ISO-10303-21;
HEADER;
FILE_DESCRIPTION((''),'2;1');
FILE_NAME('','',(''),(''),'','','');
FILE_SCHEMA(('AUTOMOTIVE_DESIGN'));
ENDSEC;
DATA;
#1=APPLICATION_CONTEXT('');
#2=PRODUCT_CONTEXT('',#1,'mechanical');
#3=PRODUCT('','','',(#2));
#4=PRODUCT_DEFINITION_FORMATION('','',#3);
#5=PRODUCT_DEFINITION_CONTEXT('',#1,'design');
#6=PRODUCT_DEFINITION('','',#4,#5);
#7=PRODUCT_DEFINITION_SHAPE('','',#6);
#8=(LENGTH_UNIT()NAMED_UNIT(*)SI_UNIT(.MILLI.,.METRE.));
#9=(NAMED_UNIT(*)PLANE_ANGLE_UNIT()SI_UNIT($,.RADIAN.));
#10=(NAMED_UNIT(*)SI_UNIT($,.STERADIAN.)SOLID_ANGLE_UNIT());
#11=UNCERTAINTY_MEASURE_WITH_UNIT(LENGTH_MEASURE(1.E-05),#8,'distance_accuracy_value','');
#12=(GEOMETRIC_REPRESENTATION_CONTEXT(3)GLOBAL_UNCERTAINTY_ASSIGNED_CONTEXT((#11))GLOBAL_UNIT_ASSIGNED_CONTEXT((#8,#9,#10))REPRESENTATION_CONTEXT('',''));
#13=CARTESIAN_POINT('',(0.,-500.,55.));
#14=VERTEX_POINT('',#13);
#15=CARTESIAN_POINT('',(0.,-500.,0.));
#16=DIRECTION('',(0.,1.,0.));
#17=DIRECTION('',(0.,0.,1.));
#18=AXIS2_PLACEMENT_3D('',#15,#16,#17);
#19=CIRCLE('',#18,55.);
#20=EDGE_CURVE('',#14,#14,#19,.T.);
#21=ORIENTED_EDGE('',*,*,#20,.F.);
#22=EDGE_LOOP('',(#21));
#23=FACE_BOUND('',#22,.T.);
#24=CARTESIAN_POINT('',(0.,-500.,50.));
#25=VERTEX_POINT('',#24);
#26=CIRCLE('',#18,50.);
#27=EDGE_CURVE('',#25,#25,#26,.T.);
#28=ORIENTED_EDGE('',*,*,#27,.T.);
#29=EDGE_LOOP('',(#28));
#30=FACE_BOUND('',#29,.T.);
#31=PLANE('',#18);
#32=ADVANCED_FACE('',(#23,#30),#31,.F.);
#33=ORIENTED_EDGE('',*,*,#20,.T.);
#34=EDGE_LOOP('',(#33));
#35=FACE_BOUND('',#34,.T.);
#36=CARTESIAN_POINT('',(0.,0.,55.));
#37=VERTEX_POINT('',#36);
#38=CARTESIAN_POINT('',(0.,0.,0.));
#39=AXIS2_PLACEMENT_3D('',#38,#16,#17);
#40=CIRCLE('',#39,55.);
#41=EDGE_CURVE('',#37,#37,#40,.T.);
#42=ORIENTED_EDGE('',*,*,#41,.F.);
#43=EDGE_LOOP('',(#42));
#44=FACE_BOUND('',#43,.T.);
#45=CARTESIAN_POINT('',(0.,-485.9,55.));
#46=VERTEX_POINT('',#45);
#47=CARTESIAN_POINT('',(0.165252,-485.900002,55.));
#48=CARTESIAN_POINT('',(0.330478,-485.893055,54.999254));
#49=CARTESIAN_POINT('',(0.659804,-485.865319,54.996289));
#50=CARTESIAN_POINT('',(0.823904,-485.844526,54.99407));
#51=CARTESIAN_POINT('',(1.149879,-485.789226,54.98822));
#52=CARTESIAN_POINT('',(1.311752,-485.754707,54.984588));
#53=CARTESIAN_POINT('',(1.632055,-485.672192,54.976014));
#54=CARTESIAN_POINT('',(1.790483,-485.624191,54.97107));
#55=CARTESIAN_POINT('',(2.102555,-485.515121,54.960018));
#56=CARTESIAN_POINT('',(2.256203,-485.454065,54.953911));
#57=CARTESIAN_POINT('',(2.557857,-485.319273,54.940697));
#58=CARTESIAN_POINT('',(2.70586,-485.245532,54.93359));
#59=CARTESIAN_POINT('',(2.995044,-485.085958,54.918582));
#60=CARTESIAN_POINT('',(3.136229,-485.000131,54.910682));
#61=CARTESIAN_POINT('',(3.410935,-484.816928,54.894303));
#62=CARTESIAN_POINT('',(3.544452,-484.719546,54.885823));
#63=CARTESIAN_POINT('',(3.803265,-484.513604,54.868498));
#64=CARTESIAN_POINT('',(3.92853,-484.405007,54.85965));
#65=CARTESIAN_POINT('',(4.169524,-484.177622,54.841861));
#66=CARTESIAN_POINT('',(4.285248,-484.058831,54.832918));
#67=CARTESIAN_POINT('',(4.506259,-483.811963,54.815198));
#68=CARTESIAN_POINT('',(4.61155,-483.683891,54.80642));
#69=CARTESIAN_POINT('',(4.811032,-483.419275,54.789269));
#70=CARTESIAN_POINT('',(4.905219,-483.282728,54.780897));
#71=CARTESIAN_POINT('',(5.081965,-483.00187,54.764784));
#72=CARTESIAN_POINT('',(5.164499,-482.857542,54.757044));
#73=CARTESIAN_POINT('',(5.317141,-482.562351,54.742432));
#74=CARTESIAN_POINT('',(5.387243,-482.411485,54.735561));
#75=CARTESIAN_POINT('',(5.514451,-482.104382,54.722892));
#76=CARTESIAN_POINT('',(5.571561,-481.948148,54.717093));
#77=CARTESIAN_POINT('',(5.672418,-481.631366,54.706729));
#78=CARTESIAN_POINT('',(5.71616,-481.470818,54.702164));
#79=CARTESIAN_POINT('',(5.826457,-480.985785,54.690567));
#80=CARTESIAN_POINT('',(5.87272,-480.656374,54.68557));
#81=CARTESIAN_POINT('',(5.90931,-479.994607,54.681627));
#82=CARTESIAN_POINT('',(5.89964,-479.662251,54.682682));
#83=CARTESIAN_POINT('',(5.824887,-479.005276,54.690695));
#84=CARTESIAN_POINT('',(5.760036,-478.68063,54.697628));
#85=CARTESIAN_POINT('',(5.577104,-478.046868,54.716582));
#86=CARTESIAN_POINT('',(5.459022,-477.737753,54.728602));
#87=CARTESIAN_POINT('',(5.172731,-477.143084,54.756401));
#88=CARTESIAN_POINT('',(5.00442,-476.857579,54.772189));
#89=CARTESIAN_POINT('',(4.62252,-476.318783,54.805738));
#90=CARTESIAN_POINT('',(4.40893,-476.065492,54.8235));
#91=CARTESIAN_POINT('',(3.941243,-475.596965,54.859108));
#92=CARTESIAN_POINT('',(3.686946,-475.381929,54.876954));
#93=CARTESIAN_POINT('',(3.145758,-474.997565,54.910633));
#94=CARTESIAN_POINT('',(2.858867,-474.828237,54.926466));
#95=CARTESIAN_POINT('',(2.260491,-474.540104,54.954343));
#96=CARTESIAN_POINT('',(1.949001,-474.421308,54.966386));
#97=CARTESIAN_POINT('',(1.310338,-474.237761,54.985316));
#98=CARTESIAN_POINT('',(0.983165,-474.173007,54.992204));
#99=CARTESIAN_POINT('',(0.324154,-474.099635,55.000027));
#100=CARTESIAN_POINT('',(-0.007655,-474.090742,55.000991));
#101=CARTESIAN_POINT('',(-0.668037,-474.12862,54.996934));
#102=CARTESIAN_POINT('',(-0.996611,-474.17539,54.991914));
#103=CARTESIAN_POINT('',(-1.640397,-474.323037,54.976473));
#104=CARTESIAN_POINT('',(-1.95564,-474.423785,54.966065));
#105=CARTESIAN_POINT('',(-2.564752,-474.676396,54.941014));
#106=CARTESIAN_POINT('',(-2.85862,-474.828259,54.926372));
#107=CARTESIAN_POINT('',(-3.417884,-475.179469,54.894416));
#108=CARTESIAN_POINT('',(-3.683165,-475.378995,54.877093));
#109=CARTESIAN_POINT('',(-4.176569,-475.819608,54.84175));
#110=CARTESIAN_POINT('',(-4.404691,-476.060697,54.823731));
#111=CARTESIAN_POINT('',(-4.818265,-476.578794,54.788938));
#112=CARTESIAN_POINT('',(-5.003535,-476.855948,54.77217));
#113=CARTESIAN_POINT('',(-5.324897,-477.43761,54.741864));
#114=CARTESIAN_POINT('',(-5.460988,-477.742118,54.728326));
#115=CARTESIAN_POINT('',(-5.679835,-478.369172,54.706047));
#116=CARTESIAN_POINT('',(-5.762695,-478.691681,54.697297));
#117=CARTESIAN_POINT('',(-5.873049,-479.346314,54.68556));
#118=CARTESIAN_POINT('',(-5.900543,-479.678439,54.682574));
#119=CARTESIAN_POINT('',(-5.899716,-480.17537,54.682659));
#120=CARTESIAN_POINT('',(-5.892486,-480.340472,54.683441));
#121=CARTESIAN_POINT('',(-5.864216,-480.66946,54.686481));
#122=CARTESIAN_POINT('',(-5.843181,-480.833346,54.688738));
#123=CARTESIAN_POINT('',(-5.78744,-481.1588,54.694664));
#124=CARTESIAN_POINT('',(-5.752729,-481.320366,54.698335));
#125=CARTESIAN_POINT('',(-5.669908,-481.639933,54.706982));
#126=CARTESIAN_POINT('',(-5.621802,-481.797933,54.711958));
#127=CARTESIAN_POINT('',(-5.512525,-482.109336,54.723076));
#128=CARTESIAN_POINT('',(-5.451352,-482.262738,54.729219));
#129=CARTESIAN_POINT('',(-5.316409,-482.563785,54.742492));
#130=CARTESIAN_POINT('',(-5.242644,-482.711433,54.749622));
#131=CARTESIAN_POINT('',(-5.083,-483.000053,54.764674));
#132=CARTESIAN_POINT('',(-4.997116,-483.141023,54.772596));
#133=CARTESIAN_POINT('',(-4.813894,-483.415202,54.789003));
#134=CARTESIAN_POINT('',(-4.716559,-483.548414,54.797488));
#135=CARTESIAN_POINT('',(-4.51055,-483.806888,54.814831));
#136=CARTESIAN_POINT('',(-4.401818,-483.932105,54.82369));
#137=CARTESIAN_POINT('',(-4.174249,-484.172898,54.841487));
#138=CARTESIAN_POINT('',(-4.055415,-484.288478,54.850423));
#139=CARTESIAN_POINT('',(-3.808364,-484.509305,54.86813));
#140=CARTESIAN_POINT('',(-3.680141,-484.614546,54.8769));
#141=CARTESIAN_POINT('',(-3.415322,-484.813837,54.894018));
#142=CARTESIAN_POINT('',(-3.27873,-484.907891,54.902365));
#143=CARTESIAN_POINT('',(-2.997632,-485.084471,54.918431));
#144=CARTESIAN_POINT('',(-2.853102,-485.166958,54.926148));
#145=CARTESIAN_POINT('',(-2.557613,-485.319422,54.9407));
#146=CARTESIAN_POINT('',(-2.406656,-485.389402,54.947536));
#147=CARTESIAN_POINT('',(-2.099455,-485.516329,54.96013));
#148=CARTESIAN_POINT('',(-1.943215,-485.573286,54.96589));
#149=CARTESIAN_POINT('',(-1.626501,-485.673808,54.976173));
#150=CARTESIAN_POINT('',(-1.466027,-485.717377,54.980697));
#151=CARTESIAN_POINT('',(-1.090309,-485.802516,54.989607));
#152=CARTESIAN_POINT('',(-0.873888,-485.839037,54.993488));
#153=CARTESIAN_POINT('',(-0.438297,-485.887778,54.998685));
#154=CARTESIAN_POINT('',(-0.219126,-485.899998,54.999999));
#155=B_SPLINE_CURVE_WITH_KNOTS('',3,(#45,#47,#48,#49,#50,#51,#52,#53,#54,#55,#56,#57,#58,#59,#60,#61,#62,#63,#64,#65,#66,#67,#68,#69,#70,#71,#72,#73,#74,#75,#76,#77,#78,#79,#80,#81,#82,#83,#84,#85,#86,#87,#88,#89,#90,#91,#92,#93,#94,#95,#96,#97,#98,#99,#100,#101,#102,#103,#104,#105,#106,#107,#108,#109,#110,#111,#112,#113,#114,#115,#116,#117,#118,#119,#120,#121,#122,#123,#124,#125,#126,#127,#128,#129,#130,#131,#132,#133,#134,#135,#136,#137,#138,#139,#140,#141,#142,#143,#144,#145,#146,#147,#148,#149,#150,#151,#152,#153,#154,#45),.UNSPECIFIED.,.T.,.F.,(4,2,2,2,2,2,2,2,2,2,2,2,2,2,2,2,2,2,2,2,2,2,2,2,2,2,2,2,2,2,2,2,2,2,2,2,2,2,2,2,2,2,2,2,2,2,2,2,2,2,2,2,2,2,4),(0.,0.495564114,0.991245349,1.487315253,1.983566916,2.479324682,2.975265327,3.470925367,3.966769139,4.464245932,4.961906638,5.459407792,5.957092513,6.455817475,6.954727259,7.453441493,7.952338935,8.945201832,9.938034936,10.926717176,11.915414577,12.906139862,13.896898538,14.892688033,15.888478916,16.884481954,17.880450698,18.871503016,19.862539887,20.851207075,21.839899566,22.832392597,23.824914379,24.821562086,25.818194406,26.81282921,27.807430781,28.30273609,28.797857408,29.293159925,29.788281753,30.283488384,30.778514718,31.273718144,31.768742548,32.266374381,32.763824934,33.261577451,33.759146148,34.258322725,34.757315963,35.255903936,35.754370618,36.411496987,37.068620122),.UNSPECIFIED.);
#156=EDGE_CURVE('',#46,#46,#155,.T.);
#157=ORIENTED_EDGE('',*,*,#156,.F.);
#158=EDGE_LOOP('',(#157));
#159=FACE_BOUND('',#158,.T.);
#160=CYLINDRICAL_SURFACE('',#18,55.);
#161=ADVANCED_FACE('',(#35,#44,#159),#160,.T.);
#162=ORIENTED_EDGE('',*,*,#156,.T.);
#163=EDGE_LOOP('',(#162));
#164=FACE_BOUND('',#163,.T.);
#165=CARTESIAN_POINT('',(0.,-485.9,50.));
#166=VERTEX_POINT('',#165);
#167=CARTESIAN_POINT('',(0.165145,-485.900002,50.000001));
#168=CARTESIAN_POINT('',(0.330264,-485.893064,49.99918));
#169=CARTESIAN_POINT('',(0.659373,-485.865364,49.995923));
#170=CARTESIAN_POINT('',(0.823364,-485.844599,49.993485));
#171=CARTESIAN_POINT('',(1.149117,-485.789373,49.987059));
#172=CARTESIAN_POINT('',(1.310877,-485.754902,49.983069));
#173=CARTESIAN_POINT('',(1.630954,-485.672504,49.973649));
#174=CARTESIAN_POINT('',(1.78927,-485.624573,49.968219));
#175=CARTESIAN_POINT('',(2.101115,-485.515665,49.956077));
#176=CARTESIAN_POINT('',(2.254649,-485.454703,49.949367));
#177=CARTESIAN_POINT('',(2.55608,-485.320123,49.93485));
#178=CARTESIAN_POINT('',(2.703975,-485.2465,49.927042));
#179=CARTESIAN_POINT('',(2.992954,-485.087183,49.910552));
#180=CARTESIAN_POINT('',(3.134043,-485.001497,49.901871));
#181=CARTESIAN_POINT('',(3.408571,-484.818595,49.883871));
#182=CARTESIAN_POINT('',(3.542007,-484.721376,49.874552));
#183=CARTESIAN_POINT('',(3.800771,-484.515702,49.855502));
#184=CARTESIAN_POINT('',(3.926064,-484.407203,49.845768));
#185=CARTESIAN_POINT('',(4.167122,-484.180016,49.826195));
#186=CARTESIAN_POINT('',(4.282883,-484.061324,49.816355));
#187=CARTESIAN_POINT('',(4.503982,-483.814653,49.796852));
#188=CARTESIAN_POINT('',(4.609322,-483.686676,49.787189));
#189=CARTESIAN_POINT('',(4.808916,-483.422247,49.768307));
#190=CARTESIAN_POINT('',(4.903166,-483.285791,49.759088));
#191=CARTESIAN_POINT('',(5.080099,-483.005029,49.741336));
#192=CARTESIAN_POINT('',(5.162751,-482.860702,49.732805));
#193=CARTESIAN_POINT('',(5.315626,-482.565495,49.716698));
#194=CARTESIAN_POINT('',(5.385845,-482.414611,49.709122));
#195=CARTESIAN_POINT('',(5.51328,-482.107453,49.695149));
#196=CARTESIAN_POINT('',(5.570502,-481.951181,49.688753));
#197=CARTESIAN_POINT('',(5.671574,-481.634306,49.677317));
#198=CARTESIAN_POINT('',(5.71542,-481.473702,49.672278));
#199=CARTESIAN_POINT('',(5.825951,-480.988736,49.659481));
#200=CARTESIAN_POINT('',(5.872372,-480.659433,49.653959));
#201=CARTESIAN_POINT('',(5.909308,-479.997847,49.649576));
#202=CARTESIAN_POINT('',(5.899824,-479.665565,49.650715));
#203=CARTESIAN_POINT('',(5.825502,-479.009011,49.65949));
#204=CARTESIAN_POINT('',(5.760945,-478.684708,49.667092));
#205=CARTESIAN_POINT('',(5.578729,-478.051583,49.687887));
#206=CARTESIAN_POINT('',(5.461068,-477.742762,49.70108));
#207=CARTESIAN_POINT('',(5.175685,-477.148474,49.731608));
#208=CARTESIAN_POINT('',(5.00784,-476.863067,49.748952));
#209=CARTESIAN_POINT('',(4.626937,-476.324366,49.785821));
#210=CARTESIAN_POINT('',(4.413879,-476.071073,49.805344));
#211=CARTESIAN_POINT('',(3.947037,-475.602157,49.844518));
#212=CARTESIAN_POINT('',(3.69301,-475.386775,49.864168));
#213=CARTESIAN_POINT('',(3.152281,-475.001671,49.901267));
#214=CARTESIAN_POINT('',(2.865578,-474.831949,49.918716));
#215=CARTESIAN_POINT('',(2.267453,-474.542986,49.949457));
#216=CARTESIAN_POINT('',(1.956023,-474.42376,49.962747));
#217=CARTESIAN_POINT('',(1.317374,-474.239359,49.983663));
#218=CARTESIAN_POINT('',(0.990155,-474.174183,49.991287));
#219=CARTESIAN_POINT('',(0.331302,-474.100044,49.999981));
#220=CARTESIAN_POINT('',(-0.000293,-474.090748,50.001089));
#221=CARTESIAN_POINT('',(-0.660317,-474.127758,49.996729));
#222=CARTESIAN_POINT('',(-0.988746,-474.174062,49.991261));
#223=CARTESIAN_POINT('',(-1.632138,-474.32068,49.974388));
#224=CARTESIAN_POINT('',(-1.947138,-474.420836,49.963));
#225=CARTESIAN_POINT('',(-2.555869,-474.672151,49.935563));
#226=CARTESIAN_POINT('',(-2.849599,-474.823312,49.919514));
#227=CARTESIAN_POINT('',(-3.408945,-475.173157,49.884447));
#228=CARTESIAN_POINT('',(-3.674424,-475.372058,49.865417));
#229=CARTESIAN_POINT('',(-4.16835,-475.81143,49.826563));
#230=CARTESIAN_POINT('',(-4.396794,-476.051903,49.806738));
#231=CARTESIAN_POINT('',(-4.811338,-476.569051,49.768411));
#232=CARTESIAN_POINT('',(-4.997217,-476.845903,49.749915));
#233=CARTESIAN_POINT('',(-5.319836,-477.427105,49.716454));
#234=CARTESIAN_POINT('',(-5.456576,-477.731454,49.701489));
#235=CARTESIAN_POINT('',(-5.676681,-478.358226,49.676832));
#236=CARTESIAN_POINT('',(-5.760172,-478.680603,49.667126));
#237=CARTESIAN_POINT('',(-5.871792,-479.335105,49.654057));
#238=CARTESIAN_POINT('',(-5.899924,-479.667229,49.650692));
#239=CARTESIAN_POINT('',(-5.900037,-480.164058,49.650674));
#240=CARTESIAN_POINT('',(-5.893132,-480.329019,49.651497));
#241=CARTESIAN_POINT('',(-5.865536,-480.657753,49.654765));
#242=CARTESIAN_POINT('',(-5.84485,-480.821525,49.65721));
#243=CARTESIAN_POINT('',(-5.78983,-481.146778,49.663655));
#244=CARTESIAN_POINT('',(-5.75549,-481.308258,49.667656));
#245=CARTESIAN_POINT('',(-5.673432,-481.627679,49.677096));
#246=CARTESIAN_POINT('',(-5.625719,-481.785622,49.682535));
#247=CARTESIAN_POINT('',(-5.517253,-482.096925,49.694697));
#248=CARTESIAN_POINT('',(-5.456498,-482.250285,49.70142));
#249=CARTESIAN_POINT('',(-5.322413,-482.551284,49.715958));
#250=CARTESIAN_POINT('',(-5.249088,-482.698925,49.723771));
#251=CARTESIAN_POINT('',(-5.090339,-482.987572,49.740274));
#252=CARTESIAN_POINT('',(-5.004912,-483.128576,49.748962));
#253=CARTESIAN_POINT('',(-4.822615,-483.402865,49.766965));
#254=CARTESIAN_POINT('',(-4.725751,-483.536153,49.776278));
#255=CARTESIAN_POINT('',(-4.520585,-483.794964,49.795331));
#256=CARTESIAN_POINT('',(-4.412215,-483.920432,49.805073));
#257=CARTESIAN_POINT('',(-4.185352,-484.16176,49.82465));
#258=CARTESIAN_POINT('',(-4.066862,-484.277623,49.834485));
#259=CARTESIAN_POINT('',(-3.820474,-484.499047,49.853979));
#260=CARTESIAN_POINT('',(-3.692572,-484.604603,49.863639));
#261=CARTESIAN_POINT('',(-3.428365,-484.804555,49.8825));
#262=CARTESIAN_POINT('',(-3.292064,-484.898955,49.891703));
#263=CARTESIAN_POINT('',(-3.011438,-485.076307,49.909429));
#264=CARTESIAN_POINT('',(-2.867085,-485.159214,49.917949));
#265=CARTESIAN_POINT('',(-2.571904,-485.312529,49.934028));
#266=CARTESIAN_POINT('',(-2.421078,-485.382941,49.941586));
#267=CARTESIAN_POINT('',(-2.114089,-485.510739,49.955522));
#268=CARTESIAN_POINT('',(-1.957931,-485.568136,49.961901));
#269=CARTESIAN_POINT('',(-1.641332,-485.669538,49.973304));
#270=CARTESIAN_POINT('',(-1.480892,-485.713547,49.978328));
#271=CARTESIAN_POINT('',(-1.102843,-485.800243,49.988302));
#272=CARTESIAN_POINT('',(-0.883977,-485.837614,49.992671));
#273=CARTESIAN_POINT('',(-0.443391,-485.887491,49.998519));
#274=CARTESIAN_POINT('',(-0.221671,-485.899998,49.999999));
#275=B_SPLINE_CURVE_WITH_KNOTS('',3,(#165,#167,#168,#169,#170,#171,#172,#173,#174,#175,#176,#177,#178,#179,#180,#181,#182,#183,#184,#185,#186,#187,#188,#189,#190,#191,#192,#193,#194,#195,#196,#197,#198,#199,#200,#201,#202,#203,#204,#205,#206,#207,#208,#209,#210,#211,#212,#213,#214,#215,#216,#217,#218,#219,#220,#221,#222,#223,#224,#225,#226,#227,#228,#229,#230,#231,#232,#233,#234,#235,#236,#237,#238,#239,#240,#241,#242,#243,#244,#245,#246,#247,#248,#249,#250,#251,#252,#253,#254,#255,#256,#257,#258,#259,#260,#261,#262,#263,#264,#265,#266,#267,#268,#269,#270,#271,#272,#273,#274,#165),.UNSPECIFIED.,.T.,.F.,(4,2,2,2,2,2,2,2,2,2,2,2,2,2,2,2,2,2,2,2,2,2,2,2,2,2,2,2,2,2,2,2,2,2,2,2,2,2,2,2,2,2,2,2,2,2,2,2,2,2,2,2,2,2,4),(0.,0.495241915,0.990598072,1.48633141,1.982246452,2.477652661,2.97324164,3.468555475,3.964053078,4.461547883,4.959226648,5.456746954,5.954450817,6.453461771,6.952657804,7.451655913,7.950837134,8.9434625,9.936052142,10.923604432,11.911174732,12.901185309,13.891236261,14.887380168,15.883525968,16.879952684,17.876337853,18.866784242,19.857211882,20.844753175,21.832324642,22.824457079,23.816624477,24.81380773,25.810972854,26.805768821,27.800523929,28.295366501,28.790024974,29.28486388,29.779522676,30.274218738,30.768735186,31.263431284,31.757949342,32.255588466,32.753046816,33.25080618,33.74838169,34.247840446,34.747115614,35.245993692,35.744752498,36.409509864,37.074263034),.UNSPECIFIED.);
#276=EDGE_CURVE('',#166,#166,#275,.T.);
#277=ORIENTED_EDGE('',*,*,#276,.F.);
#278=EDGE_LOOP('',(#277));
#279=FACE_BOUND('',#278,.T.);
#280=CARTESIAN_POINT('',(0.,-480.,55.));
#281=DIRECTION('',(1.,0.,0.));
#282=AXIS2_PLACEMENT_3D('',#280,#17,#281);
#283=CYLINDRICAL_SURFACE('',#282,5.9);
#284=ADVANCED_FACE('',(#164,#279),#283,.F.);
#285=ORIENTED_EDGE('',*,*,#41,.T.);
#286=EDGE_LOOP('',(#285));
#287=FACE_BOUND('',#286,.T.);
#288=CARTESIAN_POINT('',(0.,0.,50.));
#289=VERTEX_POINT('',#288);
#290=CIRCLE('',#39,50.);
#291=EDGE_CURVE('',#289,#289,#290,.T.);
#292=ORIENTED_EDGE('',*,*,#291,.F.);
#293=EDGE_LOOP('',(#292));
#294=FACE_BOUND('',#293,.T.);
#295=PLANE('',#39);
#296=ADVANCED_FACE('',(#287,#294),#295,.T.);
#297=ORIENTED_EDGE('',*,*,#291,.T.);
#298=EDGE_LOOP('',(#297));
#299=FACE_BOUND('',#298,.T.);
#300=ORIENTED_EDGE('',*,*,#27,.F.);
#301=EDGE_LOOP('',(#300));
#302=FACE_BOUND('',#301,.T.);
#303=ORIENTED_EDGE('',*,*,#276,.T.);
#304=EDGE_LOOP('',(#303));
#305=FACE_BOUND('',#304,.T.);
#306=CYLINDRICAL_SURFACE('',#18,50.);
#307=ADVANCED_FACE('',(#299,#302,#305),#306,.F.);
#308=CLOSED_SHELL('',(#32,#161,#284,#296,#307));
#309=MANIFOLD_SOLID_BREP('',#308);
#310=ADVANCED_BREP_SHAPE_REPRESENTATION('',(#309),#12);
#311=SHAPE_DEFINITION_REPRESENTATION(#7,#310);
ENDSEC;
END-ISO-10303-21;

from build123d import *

# Parameters (mm, degrees)
SKETCH1_R               = 55
SKETCH1_R_2             = 50
BOSS_EXTRUDE2_DEPTH     = 500
G1_4_TAPPED_HOLE1_D     = 11.8
G1_4_TAPPED_HOLE1_DEPTH = 30.32
G1_4_TAPPED_HOLE1_TIP   = 3.545077652


with BuildPart() as part:
    # Sketch1 → Boss-Extrude2 (new body)
    with BuildSketch(Plane(origin=(0, 0, 0), x_dir=(1, 0, 0), z_dir=(0, 1, 0))):
        with Locations(Location((0, 0, 0), (0, 0, 270))):
            Circle(SKETCH1_R)
        with Locations(Location((0, 0, 0), (0, 0, 270))):
            Circle(SKETCH1_R_2, mode=Mode.SUBTRACT)
    extrude(amount=-BOSS_EXTRUDE2_DEPTH)

    # G1/4 Tapped Hole1
    with Locations(Plane.XY.offset(55)):
        with Locations((0, -480)):
            Hole(G1_4_TAPPED_HOLE1_D / 2, depth=G1_4_TAPPED_HOLE1_DEPTH)
            with Locations((0, 0, -(G1_4_TAPPED_HOLE1_DEPTH + G1_4_TAPPED_HOLE1_TIP / 2))):  # 118° drill point
                Cone(0, G1_4_TAPPED_HOLE1_D / 2, G1_4_TAPPED_HOLE1_TIP, mode=Mode.SUBTRACT)


solid = part.part
